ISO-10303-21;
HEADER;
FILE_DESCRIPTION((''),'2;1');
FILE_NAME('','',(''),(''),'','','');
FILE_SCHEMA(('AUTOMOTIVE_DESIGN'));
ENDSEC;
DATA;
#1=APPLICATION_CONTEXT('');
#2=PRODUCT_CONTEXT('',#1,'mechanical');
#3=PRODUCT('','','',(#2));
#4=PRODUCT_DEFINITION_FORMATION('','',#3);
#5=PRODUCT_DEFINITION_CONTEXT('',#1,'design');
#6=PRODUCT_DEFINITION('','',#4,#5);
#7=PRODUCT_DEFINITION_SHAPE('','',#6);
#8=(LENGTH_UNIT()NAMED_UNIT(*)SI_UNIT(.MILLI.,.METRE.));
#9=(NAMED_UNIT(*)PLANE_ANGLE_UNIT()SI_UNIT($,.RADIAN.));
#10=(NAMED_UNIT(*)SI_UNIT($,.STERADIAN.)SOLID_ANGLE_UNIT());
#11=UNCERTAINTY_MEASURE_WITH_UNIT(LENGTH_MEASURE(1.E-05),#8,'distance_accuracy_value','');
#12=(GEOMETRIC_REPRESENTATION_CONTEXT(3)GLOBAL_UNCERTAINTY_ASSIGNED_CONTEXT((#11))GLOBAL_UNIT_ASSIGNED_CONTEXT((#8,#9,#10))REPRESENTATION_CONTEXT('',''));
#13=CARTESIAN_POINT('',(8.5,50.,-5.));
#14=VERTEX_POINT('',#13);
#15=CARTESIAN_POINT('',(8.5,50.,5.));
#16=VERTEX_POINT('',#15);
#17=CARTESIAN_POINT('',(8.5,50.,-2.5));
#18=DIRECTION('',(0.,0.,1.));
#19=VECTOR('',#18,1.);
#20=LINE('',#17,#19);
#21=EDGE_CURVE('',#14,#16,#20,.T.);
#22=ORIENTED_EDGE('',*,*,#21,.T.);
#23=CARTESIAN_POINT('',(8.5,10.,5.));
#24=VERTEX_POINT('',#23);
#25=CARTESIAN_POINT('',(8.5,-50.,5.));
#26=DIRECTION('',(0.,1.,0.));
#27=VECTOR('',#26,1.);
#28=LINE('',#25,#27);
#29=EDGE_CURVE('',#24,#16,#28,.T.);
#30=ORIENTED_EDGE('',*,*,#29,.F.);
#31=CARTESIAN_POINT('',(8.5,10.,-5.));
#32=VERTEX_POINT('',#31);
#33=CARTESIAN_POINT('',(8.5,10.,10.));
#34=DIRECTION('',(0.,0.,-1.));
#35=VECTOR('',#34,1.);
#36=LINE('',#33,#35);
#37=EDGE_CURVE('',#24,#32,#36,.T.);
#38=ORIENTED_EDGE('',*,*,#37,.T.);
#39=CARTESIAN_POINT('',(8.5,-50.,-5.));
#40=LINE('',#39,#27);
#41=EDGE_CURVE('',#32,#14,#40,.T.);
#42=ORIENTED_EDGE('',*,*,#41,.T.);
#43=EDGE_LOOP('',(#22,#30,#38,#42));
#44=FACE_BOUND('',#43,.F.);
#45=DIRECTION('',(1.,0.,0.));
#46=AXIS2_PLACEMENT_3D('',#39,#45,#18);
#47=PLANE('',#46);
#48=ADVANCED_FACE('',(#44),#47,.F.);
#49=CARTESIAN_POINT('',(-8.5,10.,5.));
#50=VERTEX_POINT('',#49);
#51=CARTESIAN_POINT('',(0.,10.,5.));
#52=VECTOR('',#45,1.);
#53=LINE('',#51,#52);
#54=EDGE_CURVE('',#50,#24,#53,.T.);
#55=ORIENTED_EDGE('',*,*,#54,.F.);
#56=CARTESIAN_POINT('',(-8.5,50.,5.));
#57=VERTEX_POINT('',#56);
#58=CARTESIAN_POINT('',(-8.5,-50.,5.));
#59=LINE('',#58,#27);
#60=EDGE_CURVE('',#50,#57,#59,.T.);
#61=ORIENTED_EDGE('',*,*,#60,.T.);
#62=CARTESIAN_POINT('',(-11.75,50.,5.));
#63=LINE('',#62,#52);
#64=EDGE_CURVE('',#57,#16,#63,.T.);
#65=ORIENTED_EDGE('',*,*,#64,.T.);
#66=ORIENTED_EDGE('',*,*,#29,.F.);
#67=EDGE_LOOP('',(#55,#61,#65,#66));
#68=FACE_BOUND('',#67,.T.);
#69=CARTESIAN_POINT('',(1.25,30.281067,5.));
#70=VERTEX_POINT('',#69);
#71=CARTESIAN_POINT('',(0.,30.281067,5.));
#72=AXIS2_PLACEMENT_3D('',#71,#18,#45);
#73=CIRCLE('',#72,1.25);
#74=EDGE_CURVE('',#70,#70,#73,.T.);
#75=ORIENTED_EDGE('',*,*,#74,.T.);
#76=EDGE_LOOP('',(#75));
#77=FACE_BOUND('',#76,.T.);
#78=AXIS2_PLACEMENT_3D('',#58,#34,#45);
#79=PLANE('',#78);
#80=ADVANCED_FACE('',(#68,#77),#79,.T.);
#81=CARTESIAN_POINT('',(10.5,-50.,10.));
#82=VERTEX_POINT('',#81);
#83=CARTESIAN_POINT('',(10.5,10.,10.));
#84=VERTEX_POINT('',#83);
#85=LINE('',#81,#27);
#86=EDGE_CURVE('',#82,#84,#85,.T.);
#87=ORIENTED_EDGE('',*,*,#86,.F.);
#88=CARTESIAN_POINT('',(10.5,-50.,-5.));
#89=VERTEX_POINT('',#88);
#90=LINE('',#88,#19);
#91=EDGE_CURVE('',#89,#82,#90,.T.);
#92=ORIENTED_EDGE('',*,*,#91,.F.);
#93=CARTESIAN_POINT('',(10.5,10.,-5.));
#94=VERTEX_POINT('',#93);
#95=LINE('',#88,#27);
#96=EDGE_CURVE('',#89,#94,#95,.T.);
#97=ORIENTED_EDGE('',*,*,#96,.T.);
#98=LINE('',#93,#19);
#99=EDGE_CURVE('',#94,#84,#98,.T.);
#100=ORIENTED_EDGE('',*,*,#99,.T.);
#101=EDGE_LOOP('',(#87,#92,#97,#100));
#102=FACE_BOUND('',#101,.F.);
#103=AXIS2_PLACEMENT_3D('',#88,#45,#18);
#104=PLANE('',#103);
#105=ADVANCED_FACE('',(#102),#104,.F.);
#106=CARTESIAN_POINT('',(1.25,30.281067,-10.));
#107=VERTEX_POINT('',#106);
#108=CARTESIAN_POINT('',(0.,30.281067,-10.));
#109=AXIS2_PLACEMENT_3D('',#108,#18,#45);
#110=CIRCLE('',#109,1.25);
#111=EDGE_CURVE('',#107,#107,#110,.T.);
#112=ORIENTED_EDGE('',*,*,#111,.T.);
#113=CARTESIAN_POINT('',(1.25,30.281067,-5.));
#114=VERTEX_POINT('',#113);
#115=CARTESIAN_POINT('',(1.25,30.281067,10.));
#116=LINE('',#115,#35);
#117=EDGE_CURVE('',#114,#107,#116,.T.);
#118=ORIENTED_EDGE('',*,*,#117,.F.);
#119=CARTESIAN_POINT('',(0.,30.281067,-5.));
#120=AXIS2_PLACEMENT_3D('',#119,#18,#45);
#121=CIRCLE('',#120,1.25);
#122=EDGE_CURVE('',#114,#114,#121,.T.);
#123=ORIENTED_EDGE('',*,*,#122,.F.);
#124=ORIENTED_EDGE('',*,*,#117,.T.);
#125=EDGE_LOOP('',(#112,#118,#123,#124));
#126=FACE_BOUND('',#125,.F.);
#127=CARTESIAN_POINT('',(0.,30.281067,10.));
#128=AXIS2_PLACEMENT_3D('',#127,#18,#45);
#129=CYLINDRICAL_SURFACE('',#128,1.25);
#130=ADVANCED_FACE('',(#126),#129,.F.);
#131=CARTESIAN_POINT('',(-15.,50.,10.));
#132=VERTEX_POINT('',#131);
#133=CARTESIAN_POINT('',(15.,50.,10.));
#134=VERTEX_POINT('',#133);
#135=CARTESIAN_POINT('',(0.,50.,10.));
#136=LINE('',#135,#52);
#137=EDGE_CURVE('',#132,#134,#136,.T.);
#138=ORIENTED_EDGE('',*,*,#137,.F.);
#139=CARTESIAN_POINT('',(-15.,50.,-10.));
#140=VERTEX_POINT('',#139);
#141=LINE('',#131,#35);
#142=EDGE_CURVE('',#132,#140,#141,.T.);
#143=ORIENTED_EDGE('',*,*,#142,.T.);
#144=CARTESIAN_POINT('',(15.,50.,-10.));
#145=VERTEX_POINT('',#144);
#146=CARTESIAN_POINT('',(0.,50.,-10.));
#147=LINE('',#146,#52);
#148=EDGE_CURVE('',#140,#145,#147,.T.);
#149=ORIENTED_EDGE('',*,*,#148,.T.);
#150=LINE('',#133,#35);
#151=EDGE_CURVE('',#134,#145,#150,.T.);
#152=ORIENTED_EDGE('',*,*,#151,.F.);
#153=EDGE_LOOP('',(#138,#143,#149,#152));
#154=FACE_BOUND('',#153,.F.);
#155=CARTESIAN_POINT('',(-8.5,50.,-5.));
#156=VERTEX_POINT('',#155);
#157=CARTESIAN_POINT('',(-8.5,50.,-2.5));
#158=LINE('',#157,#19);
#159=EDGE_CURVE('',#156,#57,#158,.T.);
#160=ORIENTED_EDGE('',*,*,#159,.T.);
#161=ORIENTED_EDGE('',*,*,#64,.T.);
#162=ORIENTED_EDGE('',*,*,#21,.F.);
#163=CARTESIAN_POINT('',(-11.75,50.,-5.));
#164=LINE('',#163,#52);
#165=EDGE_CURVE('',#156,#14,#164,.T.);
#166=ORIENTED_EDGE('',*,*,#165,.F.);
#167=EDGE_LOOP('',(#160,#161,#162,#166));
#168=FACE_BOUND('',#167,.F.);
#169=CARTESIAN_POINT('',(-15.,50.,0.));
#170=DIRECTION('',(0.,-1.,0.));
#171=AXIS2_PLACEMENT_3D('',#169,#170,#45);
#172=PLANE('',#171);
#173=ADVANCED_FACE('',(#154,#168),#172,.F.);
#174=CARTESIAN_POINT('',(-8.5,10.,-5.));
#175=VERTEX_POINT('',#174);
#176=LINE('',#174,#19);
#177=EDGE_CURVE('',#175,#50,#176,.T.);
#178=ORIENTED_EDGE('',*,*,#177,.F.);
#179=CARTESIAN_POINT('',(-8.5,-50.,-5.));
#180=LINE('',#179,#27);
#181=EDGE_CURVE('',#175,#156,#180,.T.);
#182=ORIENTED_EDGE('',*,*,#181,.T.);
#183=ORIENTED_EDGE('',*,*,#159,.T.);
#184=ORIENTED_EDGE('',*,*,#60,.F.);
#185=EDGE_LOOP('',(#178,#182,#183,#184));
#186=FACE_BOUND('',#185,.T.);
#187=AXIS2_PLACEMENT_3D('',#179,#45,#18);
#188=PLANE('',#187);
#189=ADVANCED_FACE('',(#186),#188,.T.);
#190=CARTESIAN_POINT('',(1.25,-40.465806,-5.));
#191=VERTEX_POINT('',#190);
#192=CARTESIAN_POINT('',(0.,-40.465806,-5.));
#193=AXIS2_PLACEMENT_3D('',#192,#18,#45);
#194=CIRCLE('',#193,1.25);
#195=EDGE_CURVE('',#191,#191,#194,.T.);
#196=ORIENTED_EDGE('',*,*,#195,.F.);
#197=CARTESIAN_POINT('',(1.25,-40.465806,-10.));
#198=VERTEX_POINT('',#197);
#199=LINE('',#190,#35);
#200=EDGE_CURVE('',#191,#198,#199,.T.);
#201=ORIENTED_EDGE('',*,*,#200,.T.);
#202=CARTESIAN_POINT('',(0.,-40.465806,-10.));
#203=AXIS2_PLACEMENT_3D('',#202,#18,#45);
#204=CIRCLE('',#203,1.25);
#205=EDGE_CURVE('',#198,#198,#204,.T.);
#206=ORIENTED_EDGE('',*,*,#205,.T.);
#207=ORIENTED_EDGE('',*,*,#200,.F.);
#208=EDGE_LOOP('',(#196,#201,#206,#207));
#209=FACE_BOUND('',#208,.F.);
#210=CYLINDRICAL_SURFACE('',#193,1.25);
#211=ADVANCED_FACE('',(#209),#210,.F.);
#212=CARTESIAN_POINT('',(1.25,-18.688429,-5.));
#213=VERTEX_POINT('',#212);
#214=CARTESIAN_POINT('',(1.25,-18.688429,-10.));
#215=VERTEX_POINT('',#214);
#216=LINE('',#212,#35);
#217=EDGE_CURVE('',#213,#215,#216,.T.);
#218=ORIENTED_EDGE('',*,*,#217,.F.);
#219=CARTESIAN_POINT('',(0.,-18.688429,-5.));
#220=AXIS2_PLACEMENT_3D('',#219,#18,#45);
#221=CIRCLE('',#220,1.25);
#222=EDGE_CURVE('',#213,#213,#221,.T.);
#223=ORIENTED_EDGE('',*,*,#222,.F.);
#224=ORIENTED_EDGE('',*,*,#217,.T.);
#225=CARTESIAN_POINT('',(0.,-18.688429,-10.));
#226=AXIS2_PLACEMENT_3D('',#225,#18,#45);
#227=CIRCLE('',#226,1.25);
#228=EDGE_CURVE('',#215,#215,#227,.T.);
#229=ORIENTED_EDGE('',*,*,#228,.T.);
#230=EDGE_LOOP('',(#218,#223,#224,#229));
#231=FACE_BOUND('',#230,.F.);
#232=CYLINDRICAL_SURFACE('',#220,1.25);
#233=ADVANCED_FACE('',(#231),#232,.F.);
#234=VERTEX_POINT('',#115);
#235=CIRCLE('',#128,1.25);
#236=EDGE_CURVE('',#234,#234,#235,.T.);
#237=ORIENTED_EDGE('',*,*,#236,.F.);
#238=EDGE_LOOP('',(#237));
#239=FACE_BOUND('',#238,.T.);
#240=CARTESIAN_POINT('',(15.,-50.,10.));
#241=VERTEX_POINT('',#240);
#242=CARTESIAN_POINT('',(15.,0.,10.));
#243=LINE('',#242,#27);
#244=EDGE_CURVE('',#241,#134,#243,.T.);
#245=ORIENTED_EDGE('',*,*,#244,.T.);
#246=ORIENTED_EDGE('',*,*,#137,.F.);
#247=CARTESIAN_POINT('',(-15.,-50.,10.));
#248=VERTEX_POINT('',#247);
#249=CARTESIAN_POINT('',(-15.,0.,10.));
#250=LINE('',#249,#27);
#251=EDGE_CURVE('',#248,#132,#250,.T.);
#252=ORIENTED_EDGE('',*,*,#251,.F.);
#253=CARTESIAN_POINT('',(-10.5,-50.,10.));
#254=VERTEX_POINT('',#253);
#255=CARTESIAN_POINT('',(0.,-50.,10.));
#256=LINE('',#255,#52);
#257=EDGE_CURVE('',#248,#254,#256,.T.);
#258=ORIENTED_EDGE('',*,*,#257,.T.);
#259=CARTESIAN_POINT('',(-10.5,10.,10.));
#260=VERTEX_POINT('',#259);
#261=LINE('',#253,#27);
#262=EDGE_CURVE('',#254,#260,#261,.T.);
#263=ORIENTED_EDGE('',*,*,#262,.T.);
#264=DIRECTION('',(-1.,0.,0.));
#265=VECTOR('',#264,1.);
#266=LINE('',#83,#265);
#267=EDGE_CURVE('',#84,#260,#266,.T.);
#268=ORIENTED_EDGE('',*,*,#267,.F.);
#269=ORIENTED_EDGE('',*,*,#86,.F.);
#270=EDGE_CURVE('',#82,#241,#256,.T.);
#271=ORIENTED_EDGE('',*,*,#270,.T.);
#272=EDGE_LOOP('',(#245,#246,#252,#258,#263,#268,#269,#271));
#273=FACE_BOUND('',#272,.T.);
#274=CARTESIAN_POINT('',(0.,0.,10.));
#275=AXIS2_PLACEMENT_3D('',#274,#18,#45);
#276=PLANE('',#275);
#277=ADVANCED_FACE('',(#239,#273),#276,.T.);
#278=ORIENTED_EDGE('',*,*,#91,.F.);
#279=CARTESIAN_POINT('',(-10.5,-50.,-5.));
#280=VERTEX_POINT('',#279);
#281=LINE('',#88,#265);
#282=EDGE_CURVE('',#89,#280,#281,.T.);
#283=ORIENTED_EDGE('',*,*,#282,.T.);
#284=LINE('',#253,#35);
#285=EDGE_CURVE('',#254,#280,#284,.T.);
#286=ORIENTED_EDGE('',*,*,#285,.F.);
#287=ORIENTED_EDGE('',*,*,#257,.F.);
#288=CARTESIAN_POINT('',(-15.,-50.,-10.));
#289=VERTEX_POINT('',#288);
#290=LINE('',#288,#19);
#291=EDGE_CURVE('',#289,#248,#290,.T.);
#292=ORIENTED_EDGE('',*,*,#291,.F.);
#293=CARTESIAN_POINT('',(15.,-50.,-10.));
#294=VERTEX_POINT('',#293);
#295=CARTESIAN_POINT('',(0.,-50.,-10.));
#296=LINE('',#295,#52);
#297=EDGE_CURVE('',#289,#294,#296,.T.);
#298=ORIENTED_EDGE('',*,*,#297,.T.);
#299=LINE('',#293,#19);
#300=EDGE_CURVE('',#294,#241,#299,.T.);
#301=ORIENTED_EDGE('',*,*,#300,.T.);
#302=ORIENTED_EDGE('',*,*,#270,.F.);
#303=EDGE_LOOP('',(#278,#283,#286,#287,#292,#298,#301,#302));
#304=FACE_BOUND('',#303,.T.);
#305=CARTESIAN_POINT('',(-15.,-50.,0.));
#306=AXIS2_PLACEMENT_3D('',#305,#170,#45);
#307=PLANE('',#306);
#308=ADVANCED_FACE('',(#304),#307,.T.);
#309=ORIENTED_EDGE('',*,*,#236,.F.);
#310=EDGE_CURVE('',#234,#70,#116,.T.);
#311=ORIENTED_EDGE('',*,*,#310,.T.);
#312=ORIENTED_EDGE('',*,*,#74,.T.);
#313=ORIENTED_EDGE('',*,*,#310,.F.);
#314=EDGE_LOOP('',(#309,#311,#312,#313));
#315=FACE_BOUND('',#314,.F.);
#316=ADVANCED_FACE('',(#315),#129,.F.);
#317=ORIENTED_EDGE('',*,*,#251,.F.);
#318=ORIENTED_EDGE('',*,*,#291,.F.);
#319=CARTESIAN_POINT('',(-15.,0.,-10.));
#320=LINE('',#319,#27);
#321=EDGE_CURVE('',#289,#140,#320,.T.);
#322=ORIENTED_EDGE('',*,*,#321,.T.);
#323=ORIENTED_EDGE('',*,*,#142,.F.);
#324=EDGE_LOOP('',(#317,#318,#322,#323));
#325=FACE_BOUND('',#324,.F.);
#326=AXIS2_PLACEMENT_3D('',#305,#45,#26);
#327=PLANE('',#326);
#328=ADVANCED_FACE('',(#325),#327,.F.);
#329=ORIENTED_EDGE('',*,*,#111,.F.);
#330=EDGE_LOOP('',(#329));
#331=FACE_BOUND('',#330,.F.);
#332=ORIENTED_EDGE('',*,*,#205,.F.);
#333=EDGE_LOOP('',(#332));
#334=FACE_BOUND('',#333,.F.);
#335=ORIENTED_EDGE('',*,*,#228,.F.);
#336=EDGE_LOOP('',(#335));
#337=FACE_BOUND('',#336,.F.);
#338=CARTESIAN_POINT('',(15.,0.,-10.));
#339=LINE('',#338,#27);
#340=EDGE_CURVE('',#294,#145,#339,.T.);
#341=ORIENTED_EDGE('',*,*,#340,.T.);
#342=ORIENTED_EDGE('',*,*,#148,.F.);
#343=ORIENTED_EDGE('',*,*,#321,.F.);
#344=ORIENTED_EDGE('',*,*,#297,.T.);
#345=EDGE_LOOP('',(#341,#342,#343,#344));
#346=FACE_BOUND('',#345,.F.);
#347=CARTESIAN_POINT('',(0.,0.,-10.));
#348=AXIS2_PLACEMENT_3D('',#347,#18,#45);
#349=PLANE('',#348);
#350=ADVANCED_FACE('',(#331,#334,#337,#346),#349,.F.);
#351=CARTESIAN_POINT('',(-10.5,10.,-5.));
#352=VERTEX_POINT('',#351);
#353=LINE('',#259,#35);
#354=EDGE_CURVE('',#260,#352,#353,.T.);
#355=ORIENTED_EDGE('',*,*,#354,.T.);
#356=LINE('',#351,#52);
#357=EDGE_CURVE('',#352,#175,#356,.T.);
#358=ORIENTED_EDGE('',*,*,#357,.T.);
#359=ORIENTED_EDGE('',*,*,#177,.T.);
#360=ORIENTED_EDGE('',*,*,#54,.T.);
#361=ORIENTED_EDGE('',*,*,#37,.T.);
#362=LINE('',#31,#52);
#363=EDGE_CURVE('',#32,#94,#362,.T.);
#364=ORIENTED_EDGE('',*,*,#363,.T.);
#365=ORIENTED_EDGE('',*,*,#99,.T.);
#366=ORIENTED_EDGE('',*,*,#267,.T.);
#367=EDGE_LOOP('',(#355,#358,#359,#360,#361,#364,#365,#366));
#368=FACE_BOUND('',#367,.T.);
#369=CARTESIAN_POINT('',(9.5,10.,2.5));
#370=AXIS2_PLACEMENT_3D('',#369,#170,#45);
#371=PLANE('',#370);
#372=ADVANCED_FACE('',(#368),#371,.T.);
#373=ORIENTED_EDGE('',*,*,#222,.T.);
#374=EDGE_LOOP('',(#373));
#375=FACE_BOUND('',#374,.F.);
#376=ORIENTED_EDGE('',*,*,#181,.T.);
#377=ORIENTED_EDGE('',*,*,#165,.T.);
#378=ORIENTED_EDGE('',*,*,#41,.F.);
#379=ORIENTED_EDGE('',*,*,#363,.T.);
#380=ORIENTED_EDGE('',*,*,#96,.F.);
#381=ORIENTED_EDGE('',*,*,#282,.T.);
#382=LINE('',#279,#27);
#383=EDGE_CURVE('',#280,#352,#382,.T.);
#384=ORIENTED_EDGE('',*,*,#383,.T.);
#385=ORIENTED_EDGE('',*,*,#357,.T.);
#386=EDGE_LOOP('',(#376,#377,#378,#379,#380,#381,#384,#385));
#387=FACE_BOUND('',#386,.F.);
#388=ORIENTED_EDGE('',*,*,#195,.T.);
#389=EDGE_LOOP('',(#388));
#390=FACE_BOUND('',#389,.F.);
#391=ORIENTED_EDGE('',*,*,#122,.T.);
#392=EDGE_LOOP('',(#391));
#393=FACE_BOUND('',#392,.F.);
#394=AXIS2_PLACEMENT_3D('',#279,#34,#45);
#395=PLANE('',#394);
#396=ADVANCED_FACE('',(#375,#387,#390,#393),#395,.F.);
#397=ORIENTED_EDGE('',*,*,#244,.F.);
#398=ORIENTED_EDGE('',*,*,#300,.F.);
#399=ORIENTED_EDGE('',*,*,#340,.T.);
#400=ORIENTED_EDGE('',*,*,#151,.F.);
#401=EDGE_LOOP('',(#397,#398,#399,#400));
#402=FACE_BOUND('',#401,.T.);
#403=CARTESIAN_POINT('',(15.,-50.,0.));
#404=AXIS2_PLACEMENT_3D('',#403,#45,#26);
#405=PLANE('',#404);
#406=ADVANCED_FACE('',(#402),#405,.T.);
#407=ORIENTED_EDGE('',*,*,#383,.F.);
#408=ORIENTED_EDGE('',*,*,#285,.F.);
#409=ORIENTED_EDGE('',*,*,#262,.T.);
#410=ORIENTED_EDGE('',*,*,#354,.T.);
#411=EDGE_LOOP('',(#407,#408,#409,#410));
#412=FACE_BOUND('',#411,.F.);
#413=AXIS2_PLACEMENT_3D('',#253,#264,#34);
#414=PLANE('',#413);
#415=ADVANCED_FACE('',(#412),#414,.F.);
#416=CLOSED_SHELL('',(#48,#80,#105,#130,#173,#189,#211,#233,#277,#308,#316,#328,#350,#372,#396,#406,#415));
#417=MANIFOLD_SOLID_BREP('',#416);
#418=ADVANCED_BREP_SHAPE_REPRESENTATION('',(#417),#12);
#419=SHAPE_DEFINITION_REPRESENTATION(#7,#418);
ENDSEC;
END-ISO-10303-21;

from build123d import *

# Parameters (mm, degrees)
F0_W     = 30
F0_H     = 100
F1_DEPTH = 10
F2_W     = 17
F2_H     = 10
F3_DEPTH = 200
F2_H_2   = 5
F4_DEPTH = 60
F5_R     = 1.25
F6_DEPTH = 25
F7_R     = 1.25
F8_DEPTH = 25


with BuildPart() as f1:
    # F0 (on Top) → F1 (new body, symmetric)
    with BuildSketch(Plane.XY):
        Rectangle(F0_W, F0_H)
    extrude(amount=F1_DEPTH, both=True)

    # F2 (on face) → F3 (cut)
    with BuildSketch(Plane.XZ.offset(50)):
        Rectangle(F2_W, F2_H)
    extrude(amount=-F3_DEPTH, mode=Mode.SUBTRACT)

    # F2 (on face) → F4 (cut)
    with BuildSketch(Plane.XZ.offset(50)):
        Polygon((8.5, 10), (8.5, 5), (8.5, -5), (10.5, -5), (10.5, 10), align=None)
        Polygon((-8.5, -5), (-8.5, 5), (-8.5, 10), (-10.5, 10), (-10.5, -5), align=None)
        with Locations((0, 7.5)):
            Rectangle(F2_W, F2_H_2)
    extrude(amount=-F4_DEPTH, mode=Mode.SUBTRACT)

    # F5 (on face) → F6 (cut)
    with BuildSketch(Plane.XY.offset(-5)):
        with Locations((0, -18.688429)):
            Circle(F5_R)
        with Locations((0, -40.465806)):
            Circle(F5_R)
    extrude(amount=-F6_DEPTH, mode=Mode.SUBTRACT)

    # F7 (on face) → F8 (cut)
    with BuildSketch(Plane.XY.offset(10)):
        with Locations((0, 30.281067)):
            Circle(F7_R)
    extrude(amount=-F8_DEPTH, mode=Mode.SUBTRACT)


solid = f1.part
